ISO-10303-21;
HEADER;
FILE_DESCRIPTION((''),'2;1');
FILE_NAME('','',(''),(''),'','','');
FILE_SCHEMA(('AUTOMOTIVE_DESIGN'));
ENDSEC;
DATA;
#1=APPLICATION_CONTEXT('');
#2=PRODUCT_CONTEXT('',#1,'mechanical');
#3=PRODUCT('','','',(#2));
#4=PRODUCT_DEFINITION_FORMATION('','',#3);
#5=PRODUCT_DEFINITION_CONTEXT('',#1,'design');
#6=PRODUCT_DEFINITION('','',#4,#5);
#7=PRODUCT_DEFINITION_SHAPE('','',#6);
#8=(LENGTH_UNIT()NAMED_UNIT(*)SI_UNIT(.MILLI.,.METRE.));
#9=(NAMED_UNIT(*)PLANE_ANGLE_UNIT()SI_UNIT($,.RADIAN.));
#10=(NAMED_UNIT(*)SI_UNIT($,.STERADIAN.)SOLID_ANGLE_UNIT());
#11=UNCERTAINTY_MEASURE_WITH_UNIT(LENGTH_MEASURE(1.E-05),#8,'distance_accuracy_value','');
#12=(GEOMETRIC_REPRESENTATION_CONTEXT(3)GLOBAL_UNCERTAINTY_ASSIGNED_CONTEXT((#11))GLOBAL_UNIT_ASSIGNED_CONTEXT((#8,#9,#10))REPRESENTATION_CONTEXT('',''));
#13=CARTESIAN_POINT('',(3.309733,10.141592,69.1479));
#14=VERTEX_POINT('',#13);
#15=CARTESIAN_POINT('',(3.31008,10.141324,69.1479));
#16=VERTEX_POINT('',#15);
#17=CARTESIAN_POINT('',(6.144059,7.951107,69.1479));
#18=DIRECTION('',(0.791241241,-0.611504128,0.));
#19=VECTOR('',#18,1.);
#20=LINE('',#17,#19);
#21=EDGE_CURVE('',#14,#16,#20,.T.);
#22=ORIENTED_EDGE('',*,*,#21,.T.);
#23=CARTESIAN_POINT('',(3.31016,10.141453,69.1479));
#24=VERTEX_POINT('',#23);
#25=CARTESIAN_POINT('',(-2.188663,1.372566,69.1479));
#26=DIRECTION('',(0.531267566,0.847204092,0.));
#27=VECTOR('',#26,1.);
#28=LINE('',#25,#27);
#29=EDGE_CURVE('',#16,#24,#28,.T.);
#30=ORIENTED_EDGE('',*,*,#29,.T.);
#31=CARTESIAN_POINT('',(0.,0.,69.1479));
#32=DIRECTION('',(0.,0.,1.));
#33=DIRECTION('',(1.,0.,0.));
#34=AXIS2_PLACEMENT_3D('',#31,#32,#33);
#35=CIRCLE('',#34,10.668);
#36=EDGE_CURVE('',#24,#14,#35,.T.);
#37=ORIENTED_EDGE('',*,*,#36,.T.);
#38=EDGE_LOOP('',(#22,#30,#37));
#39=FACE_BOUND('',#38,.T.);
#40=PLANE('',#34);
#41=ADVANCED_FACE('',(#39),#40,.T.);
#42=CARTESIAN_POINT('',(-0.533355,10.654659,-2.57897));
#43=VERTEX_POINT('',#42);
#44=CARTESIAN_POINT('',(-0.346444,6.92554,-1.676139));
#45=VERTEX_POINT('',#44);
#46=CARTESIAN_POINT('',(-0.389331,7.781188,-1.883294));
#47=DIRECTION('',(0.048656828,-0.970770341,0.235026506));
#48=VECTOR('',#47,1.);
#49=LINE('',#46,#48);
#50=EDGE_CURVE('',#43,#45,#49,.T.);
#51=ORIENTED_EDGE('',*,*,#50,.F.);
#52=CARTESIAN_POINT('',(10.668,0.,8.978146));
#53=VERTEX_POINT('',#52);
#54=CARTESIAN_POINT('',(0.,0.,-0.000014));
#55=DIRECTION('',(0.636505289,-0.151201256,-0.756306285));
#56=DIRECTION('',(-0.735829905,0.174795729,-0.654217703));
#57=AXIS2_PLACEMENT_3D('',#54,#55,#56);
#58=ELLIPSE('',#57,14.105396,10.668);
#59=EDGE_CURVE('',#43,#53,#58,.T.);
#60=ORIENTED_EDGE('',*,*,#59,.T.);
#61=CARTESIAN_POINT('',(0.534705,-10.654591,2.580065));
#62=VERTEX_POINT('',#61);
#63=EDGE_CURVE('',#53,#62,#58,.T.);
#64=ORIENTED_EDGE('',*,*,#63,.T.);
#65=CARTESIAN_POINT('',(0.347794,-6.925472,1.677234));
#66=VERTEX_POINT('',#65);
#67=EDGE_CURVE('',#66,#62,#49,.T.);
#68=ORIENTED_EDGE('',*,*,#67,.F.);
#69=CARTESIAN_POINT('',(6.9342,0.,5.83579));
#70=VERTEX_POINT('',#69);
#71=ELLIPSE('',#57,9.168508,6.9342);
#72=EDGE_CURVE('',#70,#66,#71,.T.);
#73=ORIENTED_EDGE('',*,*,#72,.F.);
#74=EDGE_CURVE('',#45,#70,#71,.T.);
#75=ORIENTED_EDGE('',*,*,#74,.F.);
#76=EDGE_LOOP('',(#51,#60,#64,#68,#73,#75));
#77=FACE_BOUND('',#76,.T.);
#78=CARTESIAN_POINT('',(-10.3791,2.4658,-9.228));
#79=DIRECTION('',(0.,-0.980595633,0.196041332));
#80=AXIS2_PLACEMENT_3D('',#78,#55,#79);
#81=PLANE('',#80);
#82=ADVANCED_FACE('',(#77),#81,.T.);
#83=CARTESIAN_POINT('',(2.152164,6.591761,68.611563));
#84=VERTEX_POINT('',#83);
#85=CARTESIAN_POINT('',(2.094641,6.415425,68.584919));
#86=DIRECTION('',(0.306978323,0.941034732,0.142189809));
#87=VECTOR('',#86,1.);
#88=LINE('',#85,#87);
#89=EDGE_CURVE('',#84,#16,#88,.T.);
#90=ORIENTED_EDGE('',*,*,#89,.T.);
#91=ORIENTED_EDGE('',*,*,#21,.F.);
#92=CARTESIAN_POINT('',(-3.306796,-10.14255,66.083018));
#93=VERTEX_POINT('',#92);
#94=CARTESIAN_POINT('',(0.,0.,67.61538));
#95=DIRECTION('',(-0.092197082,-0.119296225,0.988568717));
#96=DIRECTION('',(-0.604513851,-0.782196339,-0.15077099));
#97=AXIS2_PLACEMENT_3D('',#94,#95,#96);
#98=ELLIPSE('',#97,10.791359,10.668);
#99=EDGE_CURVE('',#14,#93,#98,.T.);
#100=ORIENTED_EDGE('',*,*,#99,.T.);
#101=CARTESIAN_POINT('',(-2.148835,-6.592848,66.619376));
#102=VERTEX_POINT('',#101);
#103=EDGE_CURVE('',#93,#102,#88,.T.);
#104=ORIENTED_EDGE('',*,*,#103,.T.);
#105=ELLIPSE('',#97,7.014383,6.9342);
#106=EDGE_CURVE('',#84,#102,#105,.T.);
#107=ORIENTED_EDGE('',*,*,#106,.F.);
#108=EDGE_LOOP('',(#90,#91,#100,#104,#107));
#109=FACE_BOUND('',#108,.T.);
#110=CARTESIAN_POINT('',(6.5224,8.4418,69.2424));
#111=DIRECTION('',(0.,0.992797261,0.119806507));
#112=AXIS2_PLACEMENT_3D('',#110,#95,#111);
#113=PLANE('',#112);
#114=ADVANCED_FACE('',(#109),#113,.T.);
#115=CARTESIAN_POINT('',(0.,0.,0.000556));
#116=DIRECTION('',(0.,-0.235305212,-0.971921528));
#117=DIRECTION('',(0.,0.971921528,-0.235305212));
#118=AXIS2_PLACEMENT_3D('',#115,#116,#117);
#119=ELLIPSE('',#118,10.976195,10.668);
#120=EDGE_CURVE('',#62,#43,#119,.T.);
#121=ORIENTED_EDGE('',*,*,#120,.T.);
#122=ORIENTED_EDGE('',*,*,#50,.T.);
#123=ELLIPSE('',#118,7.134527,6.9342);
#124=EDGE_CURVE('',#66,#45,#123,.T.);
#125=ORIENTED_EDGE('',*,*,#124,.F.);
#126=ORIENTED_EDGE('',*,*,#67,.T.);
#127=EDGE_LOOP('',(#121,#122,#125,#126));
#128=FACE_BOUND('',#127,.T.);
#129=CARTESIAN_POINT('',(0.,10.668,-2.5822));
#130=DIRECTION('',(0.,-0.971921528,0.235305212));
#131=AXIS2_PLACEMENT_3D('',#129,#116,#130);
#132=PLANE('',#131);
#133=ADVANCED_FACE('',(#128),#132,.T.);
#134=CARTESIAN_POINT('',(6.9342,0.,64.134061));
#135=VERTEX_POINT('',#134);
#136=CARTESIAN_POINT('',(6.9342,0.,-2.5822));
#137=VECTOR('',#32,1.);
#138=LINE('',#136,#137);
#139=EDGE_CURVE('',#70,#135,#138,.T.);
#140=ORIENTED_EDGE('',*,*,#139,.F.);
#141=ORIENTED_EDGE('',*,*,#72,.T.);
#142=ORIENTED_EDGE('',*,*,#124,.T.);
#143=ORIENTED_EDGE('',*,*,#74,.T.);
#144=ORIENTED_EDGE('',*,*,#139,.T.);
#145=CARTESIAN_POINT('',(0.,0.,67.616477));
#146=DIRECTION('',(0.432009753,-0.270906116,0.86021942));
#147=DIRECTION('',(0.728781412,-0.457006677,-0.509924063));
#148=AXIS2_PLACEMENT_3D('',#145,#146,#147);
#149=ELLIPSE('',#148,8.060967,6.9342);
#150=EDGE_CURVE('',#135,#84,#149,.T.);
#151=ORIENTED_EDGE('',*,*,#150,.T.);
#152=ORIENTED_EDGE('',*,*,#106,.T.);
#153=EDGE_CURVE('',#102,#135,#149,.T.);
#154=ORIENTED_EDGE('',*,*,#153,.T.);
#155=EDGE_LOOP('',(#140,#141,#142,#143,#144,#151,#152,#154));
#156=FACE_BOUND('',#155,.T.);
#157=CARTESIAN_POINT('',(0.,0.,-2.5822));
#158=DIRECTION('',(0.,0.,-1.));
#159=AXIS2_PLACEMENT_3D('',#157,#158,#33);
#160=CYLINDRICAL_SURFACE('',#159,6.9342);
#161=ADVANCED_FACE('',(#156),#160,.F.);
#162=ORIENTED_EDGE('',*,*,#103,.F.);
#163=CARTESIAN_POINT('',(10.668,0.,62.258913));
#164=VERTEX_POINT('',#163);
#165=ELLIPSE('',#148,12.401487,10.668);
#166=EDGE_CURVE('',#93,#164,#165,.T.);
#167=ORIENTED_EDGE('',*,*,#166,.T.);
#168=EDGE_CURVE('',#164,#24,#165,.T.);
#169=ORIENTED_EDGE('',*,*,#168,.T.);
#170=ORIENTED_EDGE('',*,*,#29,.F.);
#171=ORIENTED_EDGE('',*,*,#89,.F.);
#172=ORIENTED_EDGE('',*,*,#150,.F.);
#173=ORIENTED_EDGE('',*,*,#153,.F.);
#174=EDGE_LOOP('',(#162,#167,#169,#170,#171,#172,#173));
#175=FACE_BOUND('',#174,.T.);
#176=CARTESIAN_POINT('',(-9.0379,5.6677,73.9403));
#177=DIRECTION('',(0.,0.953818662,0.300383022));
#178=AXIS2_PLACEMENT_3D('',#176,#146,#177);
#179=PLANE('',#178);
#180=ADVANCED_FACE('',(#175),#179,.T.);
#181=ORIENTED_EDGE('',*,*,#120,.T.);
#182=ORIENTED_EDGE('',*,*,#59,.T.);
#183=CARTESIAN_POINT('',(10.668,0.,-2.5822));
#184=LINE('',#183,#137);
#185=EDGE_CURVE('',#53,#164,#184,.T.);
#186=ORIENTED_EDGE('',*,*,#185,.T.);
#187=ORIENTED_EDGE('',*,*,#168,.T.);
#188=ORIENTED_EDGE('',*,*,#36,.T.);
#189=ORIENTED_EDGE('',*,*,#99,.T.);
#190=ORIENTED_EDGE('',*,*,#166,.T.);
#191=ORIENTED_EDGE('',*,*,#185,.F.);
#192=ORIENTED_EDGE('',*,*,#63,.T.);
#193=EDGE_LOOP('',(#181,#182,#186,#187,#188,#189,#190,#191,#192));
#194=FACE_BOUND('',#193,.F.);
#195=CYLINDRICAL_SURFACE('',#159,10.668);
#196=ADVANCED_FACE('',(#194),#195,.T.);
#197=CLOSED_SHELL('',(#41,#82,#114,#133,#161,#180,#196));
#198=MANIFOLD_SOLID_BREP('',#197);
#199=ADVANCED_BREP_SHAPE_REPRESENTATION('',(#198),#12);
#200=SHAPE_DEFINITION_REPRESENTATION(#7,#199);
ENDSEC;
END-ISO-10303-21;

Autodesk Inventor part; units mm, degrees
ref_plane "Start Plane" through (0, 0, -2.5822) normal (0, 0, 1) x (1, 0, 0)
ref_plane "End Plane" through (0, 0, 69.1479) normal (0, 0, 1) x (1, 0, 0)
sketch "Sketch" plane through (0, 0, 0) normal (0, 0, 1) x (1, 0, 0)
  circle A0 centre (0, 0) radius 6.9342
  circle A1 centre (0, 0) radius 10.668
  dimension "d0" = 21.336
  dimension "d1" = 3.7338
extrude "Body" add sketch "Sketch" along normal up to surface (71.7301 mm away) from surface at -2.5822
sketch "Sketch3" plane through (0, 0, 0) normal (0, 0, 1) x (1, 0, 0)
  line L0 (0, 0) -> (10, 0)
ref_plane "Work Plane3" through (0, 0, 0) normal (0, -1, 0) x (1, 0, 0)
sketch "Sketch4" plane through (0, 0, 0) normal (0, -1, 0) x (1, 0, 0)
  line L0 (-2, -2.5822) -> (12, -2.5822)
  line L1 (-2, 69.1479) -> (12, 69.1479)
  dimension "d7" = 71.7301
ref_plane "Work Plane4" through (6.5224, 8.4418, 69.2424) normal (-0.0922, -0.1193, 0.9886) x (0.9957, -0.0055, 0.0922)
split "Split1" plane through (6.5224, 8.4418, 69.2424) removes the side toward (-0.0922, -0.1193, 0.9886)
ref_plane "Work Plane5" through (0, 10.668, -2.5822) normal (0, -0.2353, -0.9719) x (1, 0, 0)
split "Split2" plane through (0, 10.668, -2.5822) removes the side toward (0, -0.2353, -0.9719)
ref_plane "Work Plane6" through (-10.3791, 2.4658, -9.228) normal (0.6365, -0.1512, -0.7563) x (-0.6625, 0.395, -0.6365)
split "Split3" plane through (-10.3791, 2.4658, -9.228) removes the side toward (0.6365, -0.1512, -0.7563)
ref_plane "Work Plane7" through (-9.0379, 5.6677, 73.9403) normal (0.432, -0.2709, 0.8602) x (0.8997, 0.0629, -0.432)
split "Split4" plane through (-9.0379, 5.6677, 73.9403) removes the side toward (0.432, -0.2709, 0.8602)
equation "\"d0\" = G_H"
equation "\"d1\" = G_T"
equation "\"d2\" = G_L"
equation "\"G_H\" = 21.336"
equation "\"G_T\" = 3.7338"
equation "\"G_L\" = 71.72685"
equation "\"G_OFFSET_START\" = 2.58216"
equation "\"G_OFFSET_END\" = 1.53222"
equation "\"d4\" = -G_OFFSET_START"
equation "\"d5\" = G_OFFSET_END + B_L"
equation "\"B_L\" = 67.6157"
properties part number "ANSI - 1/2 x 0.147 - 2.824" material "Steel, Mild"
